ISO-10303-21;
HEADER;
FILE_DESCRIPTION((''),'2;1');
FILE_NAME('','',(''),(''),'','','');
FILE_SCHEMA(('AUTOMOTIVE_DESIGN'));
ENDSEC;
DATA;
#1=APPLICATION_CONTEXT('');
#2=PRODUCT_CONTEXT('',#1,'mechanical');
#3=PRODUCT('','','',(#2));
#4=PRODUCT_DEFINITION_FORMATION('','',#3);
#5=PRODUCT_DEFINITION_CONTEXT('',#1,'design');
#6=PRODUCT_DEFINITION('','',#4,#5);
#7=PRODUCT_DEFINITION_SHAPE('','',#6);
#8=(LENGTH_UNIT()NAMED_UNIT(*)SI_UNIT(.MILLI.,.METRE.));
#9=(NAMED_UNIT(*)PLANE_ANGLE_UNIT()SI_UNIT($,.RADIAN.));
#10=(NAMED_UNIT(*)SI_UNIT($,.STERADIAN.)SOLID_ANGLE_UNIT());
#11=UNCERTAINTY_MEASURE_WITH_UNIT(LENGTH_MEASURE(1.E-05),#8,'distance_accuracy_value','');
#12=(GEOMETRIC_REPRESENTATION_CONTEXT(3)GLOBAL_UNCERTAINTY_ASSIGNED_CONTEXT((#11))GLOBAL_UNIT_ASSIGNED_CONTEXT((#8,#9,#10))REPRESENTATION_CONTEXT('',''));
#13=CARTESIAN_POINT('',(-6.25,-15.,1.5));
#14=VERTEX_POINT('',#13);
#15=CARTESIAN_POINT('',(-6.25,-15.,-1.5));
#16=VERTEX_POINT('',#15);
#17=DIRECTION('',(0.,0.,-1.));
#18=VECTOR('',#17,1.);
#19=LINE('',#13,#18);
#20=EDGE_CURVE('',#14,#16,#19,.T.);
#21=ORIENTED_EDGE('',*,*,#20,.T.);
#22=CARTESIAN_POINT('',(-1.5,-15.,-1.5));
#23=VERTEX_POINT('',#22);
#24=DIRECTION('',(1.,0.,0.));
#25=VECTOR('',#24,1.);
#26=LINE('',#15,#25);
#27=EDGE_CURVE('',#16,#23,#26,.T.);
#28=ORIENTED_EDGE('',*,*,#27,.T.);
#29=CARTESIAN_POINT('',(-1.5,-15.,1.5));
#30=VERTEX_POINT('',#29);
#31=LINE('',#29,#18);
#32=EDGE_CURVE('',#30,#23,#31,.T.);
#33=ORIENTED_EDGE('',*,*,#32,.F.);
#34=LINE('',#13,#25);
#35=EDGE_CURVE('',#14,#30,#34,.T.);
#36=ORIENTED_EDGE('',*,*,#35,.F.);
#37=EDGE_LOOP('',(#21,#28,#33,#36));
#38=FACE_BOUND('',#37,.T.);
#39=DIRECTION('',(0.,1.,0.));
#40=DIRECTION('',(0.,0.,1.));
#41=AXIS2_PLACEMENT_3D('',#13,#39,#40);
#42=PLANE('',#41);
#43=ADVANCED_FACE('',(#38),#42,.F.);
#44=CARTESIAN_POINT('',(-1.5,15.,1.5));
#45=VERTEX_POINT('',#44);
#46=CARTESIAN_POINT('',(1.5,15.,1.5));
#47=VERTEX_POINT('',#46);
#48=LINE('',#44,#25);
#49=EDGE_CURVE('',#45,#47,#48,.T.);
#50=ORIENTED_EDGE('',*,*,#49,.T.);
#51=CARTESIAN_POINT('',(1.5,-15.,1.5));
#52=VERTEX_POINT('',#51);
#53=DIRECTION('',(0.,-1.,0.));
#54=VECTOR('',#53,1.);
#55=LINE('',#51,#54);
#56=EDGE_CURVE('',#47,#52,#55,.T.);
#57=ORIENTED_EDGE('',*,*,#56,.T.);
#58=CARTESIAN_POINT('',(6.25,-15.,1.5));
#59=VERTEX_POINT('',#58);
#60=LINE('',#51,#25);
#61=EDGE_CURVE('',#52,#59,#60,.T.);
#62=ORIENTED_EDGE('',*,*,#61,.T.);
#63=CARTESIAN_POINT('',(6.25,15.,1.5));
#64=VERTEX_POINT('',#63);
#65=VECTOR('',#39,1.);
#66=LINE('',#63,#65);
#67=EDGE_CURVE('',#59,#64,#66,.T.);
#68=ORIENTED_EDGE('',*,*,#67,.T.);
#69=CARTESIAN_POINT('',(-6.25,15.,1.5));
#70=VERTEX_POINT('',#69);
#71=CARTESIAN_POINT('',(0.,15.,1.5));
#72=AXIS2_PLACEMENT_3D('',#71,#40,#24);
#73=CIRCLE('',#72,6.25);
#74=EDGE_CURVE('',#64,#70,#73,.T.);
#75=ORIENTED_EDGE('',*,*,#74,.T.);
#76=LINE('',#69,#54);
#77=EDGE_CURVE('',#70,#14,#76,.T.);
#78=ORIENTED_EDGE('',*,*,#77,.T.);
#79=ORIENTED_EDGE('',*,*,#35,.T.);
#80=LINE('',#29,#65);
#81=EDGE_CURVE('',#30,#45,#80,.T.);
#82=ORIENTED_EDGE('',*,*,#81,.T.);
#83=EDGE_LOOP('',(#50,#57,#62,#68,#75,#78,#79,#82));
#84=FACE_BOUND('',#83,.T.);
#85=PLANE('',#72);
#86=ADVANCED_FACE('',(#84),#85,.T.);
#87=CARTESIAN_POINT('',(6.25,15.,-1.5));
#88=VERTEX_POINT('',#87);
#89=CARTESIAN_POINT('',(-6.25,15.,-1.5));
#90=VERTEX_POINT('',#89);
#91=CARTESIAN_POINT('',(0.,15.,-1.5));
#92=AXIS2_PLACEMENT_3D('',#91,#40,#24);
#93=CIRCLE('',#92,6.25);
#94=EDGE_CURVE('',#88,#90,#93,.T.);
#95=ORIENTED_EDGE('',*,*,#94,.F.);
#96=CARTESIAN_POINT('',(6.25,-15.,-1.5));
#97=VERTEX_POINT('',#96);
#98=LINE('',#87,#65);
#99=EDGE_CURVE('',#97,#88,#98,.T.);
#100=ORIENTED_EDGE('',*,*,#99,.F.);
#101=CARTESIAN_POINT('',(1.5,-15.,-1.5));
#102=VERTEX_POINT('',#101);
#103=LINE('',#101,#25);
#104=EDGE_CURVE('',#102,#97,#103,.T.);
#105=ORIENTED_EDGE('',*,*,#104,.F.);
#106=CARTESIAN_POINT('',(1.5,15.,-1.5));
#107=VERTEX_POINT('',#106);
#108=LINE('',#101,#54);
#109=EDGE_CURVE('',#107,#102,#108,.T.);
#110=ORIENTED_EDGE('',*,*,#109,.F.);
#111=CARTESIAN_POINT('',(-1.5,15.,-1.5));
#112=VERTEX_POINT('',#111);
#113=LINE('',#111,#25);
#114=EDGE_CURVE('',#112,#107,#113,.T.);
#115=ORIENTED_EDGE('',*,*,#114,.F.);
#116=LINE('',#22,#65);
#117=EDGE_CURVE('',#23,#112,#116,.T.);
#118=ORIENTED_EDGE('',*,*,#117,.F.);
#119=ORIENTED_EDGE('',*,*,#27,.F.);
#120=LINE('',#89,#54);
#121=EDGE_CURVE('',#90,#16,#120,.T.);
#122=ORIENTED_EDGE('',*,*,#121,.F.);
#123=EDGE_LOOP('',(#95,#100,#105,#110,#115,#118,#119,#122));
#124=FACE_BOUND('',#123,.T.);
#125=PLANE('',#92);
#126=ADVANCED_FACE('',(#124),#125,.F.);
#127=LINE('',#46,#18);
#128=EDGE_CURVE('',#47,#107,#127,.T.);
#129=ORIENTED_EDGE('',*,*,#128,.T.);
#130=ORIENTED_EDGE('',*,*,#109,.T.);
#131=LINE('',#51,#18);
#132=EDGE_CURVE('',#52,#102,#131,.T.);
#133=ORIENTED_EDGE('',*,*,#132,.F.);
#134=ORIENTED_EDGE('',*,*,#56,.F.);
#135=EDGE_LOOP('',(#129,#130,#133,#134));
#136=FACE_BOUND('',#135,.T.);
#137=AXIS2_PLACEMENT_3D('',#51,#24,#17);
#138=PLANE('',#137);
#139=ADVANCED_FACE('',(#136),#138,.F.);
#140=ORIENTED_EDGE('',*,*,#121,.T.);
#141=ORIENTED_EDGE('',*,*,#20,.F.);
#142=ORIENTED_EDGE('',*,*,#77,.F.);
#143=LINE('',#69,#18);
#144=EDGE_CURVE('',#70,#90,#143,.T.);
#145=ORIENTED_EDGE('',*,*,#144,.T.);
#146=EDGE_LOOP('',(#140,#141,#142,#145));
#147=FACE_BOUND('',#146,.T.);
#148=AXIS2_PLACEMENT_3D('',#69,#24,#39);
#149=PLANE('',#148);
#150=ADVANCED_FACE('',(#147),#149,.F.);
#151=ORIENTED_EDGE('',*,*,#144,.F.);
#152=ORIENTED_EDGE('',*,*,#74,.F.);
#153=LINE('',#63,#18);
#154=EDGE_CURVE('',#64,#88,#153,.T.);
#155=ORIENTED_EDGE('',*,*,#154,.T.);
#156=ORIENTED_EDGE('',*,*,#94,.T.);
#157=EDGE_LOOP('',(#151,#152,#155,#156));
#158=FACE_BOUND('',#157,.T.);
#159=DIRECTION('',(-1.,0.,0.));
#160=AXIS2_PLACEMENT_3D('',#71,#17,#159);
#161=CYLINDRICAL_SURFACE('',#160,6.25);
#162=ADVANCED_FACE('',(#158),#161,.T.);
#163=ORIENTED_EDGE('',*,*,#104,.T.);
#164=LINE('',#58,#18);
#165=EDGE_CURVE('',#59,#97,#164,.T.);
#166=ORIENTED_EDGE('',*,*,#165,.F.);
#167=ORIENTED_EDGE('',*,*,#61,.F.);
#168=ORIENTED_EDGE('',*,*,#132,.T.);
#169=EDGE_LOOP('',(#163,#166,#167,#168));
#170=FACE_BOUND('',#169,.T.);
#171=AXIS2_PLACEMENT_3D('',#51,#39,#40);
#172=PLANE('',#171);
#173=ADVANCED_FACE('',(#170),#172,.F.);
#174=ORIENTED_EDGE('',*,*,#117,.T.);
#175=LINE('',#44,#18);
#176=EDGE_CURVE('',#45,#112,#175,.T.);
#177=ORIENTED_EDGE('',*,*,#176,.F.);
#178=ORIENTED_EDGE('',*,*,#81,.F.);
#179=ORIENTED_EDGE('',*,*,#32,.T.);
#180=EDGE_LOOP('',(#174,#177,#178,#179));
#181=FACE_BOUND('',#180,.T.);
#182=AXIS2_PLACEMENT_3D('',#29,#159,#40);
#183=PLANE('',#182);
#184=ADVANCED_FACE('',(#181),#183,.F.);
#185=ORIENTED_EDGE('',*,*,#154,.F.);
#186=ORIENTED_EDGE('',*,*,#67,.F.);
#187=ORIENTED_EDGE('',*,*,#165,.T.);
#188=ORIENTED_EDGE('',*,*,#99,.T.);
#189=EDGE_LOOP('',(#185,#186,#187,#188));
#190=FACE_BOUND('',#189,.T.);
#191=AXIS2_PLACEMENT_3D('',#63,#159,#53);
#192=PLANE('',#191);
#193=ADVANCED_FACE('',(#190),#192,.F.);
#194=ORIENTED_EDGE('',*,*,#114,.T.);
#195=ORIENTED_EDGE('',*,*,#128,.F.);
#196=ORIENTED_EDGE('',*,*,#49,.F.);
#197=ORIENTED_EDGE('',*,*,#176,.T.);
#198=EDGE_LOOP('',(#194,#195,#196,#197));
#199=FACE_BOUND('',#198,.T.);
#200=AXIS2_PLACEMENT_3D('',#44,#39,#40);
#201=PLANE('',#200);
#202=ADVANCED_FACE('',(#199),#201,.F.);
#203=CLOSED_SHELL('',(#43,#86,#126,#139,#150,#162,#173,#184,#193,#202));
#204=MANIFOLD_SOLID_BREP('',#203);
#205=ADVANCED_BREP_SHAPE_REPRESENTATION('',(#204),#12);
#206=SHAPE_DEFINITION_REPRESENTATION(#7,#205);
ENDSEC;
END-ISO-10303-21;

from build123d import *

# Parameters (mm, degrees)
BOSS_EXTRUDE1_DEPTH = 1.5


with BuildPart() as part:
    # Sketch1 → Boss-Extrude1 (new body, symmetric)
    with BuildSketch(Plane.XY):
        with BuildLine():
            Line((1.5, -15), (6.25, -15))
            Line((6.25, -15), (6.25, 15))
            ThreePointArc((6.25, 15), (0, 21.25), (-6.25, 15))
            Line((-6.25, 15), (-6.25, -15))
            Line((-6.25, -15), (-1.5, -15))
            Line((-1.5, -15), (-1.5, 15))
            Line((-1.5, 15), (1.5, 15))
            Line((1.5, 15), (1.5, -15))
        make_face()
    extrude(amount=BOSS_EXTRUDE1_DEPTH, both=True)


solid = part.part
